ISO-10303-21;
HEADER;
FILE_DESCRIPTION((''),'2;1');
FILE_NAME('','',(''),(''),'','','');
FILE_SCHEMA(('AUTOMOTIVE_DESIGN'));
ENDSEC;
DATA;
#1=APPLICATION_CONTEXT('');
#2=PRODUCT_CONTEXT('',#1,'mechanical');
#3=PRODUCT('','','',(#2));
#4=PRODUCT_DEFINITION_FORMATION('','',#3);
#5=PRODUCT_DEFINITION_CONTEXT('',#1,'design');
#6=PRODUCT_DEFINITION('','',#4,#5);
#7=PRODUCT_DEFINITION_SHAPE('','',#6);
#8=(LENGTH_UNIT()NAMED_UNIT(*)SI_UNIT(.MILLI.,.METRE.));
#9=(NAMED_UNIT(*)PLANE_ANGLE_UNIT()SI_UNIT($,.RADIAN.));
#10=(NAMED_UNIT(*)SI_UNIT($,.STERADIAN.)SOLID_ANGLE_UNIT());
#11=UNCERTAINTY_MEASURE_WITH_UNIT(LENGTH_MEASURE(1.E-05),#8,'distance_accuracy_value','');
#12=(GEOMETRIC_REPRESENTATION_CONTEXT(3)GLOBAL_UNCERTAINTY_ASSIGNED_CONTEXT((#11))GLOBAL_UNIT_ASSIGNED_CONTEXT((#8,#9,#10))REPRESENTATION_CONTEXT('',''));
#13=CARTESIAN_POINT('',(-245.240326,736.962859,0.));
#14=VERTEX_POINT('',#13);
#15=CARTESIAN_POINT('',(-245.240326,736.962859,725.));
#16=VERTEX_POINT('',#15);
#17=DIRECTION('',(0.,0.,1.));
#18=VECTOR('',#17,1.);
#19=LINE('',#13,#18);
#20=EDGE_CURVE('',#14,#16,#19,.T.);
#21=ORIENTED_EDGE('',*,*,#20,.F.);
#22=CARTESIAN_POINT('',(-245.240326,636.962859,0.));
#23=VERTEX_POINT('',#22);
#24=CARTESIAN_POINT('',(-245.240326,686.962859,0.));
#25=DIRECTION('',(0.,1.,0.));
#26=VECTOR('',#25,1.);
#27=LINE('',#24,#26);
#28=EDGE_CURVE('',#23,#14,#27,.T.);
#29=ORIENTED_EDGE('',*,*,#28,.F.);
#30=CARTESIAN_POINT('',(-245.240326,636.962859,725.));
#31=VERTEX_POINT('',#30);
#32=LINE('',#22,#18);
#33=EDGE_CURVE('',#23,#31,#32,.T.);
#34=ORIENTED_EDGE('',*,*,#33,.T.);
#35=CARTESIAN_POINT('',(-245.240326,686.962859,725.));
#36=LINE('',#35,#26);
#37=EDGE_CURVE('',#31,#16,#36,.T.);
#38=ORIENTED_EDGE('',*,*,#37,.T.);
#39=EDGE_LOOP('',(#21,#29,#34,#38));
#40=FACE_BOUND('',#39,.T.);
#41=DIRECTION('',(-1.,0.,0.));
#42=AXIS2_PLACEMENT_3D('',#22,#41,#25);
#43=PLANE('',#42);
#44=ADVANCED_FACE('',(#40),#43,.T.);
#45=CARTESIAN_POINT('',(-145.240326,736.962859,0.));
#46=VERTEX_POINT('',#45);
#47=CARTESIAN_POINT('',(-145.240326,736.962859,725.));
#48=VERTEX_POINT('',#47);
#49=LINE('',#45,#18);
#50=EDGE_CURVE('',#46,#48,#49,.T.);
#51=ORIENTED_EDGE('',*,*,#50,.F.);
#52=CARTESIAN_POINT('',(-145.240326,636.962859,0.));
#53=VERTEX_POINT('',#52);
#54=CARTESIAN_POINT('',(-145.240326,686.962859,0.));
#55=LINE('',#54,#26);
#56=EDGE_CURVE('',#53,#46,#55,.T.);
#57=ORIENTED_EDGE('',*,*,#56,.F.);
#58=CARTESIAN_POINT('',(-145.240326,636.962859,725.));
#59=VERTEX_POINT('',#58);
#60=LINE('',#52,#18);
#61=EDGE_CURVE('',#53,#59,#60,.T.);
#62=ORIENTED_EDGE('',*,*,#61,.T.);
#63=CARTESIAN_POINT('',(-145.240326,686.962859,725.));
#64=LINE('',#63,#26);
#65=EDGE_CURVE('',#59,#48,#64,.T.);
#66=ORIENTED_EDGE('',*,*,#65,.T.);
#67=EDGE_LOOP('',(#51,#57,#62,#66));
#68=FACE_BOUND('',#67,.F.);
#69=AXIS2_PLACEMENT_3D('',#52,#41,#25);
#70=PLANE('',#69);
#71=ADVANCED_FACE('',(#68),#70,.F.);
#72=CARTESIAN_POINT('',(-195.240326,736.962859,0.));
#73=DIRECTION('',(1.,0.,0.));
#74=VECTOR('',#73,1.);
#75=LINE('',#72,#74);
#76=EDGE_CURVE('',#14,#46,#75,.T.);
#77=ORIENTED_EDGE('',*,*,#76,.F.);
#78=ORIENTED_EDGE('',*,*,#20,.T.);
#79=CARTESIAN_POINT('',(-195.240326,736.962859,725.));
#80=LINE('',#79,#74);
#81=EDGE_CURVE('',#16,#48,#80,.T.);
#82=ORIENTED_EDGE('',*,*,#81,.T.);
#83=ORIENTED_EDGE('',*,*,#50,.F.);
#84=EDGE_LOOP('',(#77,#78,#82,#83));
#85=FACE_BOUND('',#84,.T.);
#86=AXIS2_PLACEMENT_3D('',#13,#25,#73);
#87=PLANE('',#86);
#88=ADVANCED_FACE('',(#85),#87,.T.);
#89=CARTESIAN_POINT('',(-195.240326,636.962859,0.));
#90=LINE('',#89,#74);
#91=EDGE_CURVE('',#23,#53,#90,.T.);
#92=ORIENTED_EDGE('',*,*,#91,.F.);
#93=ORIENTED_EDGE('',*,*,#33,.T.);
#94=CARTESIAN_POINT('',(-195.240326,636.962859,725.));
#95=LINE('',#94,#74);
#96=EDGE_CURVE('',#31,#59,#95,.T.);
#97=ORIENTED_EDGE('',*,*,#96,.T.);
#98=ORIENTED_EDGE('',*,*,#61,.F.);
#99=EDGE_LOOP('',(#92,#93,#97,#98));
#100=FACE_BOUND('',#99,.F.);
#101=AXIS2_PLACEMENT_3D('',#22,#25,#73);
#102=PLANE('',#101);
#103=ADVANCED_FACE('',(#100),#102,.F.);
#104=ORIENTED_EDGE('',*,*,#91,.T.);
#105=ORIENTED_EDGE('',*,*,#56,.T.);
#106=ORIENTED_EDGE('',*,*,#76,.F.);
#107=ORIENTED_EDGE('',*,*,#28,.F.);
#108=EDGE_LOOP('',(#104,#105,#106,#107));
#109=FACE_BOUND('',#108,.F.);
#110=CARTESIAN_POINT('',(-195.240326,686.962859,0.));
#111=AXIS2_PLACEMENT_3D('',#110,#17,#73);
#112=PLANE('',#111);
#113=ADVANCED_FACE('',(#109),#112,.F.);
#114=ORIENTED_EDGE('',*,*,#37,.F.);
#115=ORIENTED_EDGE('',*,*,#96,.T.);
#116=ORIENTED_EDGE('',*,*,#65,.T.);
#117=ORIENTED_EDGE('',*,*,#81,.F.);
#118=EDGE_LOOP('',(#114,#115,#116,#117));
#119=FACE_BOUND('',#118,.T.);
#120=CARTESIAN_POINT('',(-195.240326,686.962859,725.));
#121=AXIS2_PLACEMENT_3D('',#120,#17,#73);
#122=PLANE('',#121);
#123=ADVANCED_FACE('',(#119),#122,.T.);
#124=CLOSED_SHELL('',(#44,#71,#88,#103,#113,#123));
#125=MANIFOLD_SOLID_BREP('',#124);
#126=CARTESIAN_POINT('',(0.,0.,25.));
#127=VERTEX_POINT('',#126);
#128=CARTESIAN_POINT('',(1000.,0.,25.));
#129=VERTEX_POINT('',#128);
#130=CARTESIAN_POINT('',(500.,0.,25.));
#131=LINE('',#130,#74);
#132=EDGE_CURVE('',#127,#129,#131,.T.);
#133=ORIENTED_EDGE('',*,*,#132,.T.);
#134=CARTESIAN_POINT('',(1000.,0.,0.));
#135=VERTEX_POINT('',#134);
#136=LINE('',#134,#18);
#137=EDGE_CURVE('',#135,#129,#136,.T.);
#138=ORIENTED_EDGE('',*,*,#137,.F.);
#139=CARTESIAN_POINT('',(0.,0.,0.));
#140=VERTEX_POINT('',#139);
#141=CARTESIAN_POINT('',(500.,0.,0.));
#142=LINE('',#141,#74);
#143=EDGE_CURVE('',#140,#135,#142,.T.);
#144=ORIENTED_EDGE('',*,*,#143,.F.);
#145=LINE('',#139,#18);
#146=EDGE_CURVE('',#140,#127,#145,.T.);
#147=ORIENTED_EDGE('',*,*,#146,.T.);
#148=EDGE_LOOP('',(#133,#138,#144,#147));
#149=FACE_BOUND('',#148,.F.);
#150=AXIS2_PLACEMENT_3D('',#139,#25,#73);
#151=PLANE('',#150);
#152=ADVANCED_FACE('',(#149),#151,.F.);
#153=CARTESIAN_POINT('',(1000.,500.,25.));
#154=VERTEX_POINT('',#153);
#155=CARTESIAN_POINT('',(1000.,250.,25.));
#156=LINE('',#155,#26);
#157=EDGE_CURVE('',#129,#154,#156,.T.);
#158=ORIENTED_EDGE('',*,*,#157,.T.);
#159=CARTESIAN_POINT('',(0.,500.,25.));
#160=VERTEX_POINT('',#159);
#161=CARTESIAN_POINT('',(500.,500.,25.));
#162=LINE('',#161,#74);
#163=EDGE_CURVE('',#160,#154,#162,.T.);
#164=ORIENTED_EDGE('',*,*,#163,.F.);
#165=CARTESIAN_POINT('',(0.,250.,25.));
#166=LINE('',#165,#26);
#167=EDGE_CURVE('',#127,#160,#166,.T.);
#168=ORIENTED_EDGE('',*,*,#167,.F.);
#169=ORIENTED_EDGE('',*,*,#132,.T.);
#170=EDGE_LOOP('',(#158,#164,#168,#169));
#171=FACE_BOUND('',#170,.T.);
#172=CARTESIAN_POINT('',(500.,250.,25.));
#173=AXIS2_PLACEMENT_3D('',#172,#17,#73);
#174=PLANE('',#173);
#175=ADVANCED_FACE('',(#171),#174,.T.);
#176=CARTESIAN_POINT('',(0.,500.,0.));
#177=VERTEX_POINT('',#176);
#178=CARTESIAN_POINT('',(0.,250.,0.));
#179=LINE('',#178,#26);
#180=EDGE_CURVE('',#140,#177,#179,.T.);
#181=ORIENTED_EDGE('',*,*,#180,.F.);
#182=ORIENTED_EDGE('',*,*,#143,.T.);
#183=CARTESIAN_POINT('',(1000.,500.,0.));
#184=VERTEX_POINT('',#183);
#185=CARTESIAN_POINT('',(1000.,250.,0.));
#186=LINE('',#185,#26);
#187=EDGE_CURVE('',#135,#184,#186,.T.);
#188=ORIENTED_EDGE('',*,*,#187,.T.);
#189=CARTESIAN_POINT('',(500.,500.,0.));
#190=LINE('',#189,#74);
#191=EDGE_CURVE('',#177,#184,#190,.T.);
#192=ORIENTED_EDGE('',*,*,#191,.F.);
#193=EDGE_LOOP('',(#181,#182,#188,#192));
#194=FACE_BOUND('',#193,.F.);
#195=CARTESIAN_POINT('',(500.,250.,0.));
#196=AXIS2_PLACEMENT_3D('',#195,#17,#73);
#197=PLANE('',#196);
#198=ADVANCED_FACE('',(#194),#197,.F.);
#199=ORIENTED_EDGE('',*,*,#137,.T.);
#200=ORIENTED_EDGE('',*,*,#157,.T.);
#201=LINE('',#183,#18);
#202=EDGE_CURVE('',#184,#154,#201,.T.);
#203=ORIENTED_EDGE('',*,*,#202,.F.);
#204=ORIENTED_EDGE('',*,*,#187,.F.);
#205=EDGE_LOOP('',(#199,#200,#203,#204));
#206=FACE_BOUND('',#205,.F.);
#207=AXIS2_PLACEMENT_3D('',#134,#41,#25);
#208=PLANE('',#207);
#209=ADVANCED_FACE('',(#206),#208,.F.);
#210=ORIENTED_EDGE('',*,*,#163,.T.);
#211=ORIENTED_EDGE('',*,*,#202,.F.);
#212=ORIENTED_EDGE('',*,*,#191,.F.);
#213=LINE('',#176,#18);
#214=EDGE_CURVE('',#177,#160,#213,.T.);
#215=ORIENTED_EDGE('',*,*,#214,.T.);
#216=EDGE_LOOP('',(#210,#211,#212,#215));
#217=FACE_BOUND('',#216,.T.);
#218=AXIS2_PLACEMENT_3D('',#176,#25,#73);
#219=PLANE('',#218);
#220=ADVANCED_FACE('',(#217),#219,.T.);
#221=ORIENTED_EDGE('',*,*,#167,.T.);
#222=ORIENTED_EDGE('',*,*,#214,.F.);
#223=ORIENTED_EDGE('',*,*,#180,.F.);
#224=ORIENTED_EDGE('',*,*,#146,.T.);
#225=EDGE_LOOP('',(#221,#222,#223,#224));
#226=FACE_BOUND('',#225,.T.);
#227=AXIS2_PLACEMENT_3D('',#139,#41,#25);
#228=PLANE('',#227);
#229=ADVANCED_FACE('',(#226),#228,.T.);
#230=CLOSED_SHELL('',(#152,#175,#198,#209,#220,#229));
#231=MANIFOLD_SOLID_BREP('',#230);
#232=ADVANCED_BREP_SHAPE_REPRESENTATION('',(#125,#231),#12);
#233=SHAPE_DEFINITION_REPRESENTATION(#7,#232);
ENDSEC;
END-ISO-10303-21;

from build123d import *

# Parameters (mm, degrees)
F0_W     = 1000
F0_H     = 500
F1_DEPTH = 25
F2_W     = 100
F2_H     = 100
F3_DEPTH = 725


with BuildPart() as f1:
    # F0 (on Top) → F1 (new body)
    with BuildSketch(Plane.XY):
        with Locations((500, 250)):
            Rectangle(F0_W, F0_H)
    extrude(amount=F1_DEPTH)


with BuildPart() as f3:
    # F2 (on Top) → F3 (new body)
    with BuildSketch(Plane.XY):
        with Locations((-195.240326, 686.962859)):
            Rectangle(F2_W, F2_H)
    extrude(amount=F3_DEPTH)


solid = Compound([f1.part, f3.part])
